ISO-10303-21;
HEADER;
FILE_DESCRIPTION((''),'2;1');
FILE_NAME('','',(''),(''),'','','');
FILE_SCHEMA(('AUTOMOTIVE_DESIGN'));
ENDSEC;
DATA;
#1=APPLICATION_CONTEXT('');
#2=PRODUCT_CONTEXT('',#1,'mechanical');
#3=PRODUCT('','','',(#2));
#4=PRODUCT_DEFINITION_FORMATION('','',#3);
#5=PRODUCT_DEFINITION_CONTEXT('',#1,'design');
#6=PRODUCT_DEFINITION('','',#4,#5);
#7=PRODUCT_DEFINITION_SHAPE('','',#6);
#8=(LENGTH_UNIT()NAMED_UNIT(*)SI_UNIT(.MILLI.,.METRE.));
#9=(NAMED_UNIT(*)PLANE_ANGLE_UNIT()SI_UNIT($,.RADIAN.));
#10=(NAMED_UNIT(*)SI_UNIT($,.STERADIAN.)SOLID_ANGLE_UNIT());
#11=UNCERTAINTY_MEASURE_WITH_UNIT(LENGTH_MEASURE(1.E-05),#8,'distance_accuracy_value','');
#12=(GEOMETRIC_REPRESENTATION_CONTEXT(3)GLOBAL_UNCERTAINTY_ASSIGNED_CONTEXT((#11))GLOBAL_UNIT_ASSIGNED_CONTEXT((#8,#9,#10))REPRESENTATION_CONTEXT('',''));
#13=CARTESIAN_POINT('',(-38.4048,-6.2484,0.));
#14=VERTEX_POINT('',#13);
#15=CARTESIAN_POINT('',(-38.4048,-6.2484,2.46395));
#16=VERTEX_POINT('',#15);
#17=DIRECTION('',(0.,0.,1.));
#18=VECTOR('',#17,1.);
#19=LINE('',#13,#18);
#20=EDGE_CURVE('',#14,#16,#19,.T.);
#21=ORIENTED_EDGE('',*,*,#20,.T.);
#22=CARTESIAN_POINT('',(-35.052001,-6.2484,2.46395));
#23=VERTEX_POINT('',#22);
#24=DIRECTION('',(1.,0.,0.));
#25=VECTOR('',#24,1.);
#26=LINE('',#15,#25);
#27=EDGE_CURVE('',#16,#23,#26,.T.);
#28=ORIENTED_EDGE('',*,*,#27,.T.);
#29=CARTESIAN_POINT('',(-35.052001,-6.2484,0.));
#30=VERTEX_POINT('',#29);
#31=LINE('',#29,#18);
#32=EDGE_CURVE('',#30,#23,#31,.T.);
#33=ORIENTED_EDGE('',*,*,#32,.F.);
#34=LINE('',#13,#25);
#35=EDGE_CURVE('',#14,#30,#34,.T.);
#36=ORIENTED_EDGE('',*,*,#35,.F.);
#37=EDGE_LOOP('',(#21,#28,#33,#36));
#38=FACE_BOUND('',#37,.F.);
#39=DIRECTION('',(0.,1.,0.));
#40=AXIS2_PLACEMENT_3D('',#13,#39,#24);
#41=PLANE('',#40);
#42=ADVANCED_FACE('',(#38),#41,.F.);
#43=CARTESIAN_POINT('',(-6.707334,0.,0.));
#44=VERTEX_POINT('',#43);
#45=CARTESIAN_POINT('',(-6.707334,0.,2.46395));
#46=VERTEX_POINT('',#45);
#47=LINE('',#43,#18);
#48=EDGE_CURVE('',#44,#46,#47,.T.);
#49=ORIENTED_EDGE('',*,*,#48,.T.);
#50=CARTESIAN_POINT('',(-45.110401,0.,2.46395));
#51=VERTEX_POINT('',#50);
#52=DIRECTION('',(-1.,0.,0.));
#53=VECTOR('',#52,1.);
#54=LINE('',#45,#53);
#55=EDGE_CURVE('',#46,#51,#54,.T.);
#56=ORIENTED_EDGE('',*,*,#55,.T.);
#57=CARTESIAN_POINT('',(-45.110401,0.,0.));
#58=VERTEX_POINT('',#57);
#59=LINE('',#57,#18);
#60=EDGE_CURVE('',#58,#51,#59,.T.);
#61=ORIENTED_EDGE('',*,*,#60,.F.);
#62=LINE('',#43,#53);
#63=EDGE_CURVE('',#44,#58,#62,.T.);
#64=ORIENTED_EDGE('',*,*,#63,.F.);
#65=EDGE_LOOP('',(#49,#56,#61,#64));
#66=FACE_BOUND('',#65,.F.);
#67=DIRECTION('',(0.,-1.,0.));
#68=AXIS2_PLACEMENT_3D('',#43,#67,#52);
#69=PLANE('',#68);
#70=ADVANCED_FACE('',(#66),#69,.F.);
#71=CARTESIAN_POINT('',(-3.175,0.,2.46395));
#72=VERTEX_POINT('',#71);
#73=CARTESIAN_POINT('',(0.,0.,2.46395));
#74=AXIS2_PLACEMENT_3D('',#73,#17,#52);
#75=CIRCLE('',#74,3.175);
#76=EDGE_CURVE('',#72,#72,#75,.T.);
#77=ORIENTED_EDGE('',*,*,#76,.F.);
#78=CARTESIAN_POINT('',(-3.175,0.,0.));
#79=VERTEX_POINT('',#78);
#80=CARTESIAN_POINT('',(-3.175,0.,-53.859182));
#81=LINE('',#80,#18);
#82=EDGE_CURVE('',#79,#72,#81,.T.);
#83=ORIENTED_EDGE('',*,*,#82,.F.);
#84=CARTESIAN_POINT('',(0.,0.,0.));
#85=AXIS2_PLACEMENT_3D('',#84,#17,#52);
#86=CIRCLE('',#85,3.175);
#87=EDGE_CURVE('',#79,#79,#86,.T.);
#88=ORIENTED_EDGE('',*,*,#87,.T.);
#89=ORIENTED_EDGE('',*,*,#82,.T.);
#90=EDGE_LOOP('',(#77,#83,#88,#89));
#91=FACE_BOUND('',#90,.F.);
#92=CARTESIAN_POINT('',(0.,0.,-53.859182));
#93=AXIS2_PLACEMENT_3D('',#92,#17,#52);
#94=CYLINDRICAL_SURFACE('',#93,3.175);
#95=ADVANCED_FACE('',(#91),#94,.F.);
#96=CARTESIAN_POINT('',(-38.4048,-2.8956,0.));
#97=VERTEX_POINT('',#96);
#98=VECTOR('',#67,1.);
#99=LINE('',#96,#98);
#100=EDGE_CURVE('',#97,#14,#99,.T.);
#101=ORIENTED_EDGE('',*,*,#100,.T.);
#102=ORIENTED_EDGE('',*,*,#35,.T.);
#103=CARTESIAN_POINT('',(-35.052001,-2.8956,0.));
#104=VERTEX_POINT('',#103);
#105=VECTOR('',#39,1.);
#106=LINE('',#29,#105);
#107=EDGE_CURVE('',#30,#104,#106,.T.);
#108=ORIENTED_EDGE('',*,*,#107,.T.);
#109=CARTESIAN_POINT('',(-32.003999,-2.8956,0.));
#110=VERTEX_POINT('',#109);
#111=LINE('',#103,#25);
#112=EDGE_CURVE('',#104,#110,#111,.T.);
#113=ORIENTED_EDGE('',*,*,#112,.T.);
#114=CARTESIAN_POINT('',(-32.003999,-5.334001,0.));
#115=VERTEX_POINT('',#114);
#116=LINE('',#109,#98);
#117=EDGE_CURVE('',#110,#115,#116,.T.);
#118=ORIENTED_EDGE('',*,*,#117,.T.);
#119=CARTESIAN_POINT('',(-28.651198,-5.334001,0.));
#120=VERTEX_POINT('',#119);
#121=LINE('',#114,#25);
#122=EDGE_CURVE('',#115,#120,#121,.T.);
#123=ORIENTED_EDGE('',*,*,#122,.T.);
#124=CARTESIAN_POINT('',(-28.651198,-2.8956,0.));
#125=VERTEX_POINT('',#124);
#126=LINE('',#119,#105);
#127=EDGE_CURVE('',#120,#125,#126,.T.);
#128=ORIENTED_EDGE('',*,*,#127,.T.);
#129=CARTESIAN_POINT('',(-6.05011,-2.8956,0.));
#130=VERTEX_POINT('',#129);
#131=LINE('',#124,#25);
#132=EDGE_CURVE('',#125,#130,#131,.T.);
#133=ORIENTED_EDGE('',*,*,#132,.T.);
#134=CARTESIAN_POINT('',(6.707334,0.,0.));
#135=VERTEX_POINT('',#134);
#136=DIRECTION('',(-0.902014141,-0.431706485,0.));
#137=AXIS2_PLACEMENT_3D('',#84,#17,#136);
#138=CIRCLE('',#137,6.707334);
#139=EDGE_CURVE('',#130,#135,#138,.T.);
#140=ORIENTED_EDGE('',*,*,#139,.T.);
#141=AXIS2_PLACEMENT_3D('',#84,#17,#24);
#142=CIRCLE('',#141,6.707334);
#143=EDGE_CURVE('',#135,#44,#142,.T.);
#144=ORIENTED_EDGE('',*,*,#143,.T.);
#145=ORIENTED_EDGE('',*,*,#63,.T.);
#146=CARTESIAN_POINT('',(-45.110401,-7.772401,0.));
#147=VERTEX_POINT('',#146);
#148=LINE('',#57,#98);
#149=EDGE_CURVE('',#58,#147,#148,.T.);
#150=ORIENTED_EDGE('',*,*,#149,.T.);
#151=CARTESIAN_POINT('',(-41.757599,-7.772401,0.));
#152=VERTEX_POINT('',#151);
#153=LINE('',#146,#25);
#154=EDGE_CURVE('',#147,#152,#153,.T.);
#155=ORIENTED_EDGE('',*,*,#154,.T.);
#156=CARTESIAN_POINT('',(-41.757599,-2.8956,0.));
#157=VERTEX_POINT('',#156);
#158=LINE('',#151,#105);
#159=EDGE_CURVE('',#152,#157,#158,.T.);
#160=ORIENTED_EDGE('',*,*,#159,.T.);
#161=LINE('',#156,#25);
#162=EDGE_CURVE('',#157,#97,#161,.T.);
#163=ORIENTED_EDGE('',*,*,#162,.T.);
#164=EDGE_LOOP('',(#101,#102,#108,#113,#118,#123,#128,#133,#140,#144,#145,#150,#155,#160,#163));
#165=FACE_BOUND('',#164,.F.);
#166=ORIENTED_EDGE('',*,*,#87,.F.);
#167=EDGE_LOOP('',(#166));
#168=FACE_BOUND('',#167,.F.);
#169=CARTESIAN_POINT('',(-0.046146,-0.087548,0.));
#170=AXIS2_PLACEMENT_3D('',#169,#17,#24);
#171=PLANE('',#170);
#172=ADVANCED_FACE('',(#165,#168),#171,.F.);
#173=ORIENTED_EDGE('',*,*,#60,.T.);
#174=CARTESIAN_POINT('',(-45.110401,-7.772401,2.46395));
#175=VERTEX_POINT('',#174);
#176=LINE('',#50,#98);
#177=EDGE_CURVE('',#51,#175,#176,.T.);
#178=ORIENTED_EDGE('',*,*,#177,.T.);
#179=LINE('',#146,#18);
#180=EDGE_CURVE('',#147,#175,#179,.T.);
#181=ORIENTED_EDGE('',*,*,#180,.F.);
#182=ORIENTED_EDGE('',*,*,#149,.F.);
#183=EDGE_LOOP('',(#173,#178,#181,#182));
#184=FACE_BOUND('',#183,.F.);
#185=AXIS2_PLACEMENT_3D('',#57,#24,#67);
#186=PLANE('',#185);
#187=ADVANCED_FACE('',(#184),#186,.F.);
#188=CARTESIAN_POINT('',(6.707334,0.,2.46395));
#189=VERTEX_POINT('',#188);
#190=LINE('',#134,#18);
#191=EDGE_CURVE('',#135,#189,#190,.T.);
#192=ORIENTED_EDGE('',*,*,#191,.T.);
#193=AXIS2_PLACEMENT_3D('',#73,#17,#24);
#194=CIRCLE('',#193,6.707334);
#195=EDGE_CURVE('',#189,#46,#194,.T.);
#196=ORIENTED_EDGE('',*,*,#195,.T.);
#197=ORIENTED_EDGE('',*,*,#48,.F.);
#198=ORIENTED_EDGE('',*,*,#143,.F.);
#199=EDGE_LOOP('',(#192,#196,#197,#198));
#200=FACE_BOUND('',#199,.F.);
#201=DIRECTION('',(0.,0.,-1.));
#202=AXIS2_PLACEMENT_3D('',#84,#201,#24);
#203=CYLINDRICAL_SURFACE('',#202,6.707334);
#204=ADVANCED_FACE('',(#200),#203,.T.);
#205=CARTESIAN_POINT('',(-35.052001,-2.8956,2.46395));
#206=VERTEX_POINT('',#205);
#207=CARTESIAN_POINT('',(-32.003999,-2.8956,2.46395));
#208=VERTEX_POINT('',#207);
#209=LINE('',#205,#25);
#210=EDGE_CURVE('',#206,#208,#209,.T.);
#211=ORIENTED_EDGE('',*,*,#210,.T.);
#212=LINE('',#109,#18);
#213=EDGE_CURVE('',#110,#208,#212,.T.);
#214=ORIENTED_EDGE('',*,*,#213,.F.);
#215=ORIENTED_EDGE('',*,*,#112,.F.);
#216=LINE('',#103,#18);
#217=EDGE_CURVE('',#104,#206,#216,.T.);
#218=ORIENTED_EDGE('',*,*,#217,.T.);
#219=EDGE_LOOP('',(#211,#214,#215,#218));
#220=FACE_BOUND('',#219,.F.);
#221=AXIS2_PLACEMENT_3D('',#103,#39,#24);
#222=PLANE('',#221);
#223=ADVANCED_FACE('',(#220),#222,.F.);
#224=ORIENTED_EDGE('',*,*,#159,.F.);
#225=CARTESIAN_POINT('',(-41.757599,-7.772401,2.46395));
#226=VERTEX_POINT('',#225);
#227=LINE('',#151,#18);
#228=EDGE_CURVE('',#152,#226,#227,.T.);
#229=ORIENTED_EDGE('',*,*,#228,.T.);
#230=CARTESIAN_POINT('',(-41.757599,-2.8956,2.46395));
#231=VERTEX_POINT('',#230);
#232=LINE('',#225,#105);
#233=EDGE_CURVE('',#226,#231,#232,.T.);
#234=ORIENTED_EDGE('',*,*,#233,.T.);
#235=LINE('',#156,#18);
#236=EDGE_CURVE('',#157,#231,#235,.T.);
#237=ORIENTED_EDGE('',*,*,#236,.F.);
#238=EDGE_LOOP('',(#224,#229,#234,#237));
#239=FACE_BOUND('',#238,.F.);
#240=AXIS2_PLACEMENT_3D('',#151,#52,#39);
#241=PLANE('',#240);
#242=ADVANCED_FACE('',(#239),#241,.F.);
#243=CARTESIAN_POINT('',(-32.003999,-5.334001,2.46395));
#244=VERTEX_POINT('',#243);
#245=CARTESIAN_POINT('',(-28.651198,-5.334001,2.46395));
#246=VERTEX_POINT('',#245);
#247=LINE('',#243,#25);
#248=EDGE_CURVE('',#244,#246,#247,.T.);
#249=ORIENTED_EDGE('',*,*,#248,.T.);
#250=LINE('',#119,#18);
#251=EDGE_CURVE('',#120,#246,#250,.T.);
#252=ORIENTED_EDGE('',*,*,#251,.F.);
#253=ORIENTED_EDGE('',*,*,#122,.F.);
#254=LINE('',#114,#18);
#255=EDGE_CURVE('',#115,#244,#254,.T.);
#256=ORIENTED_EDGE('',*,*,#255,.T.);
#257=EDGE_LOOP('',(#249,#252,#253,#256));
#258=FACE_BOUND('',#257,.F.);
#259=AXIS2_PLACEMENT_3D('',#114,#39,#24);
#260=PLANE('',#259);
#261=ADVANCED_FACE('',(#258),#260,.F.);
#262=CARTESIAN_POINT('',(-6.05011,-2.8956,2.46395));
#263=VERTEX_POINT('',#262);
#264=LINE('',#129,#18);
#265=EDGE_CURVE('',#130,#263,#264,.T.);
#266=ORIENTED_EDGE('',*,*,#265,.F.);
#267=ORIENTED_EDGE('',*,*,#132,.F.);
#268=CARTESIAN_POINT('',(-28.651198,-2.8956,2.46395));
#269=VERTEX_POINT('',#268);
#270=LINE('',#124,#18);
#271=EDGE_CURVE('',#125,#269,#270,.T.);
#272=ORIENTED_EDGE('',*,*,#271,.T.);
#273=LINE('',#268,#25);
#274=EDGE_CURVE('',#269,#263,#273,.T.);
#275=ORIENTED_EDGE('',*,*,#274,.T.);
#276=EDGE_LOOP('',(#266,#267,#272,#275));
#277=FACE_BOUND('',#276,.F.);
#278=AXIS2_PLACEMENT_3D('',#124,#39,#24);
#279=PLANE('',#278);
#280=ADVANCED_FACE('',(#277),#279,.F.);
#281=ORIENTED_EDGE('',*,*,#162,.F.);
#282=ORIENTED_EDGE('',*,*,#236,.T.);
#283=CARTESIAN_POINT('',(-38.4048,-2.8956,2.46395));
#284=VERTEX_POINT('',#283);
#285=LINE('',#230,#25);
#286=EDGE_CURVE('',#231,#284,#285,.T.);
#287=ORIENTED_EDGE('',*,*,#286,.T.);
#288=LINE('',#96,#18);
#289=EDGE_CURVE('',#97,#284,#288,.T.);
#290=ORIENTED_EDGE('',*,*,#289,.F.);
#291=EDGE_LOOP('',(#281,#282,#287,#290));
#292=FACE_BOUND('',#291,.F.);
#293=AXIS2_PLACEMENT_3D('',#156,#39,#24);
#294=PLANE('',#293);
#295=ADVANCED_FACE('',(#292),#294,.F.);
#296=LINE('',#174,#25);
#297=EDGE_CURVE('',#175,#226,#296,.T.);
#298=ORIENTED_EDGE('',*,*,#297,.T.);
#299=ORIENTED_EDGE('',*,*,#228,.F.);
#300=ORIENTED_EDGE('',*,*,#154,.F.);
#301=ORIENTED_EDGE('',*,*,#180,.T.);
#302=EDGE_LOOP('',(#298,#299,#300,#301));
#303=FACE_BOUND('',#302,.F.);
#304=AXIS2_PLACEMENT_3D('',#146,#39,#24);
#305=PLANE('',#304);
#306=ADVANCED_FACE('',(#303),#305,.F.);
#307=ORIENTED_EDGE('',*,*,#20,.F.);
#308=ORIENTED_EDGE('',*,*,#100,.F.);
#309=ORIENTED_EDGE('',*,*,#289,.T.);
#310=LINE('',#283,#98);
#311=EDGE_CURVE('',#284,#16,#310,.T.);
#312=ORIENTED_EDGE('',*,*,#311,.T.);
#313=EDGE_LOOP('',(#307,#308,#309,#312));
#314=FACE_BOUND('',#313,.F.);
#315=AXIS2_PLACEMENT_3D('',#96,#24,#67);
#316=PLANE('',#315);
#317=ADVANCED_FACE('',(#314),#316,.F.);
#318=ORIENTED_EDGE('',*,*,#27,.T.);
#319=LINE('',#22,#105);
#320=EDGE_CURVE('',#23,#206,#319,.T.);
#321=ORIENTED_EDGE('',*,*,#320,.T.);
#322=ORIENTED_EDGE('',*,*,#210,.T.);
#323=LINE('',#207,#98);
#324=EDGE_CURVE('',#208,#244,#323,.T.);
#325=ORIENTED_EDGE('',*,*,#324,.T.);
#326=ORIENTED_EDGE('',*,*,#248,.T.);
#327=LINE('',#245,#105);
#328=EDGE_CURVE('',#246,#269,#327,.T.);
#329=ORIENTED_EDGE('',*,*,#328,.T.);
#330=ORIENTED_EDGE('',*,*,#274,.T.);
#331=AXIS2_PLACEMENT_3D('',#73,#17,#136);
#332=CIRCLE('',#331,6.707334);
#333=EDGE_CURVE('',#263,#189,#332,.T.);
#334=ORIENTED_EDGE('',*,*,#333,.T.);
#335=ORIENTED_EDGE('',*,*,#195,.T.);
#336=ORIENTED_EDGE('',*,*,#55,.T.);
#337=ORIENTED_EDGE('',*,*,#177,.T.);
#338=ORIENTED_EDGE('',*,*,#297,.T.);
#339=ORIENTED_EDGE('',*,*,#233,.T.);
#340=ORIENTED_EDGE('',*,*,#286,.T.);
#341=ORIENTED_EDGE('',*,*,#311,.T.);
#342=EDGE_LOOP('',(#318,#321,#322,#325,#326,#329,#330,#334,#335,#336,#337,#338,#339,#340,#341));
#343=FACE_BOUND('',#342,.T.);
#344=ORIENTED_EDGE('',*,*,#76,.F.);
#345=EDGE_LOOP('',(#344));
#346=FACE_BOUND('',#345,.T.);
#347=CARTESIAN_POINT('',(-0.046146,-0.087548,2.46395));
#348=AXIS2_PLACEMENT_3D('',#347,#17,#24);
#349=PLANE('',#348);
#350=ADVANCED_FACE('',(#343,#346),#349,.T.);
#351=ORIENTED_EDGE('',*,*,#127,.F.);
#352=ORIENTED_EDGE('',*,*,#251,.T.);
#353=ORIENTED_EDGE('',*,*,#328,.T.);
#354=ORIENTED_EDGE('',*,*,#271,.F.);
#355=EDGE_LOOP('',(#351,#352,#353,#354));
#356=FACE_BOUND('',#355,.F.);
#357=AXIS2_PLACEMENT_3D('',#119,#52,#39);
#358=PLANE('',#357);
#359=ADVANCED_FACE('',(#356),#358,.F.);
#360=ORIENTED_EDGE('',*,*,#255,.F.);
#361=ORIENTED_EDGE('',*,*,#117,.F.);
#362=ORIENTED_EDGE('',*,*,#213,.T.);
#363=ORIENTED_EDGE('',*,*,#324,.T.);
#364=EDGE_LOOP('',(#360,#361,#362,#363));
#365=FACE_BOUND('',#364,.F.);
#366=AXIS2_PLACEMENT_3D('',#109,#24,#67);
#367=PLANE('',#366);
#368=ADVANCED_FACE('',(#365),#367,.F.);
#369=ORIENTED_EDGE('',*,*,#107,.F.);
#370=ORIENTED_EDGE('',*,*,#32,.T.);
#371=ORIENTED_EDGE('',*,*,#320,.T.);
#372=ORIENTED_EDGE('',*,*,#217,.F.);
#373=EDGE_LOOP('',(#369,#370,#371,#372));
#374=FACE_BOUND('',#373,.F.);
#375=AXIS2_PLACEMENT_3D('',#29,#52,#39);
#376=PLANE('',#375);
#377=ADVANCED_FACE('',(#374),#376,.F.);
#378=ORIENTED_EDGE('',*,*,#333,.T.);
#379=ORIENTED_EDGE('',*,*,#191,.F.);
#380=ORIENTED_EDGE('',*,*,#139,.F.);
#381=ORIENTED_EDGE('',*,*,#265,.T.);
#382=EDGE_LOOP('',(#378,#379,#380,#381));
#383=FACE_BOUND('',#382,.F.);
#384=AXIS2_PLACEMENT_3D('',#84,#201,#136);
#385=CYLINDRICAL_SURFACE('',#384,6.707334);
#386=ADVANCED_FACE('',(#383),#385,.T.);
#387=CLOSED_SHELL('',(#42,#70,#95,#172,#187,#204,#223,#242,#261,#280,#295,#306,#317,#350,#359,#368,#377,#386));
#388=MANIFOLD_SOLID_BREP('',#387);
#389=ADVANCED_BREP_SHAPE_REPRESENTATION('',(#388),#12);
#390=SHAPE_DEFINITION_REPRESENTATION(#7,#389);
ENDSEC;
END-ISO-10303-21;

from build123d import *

# Parameters (mm, degrees)
F1_DEPTH = 2.46395
F2_D     = 6.35


with BuildPart() as f1:
    # F0 (on Top) → F1 (new body)
    with BuildSketch(Plane.XY):
        with BuildLine():
            ThreePointArc((-6.05011, -2.8956), (1.484625, -6.540965), (6.707334, 0))
            ThreePointArc((6.707334, 0), (0, 6.707334), (-6.707334, 0))
            ThreePointArc((-6.707334, 0), (-6.540965, -1.484625), (-6.05011, -2.8956))
        make_face()
        with BuildLine():
            ThreePointArc((-6.05011, -2.8956), (-6.540965, -1.484625), (-6.707334, 0))
            Line((-6.707334, 0), (-45.110401, 0))
            Line((-45.110401, 0), (-45.110401, -7.772401))
            Line((-45.110401, -7.772401), (-41.757599, -7.772401))
            Line((-41.757599, -7.772401), (-41.757599, -2.8956))
            Line((-41.757599, -2.8956), (-38.4048, -2.8956))
            Line((-38.4048, -2.8956), (-38.4048, -6.2484))
            Line((-38.4048, -6.2484), (-35.052001, -6.2484))
            Line((-35.052001, -6.2484), (-35.052001, -2.8956))
            Line((-35.052001, -2.8956), (-32.003999, -2.8956))
            Line((-32.003999, -2.8956), (-32.003999, -5.334001))
            Line((-32.003999, -5.334001), (-28.651198, -5.334001))
            Line((-28.651198, -5.334001), (-28.651198, -2.8956))
            Line((-28.651198, -2.8956), (-6.05011, -2.8956))
        make_face()
    extrude(amount=F1_DEPTH)

    # F2 (through all)
    with Locations(Plane(origin=(0, 0, 0), x_dir=(1, 0, 0), z_dir=(0, 0, -1))):
        with Locations((0, 0)):
            Hole(F2_D / 2)


solid = f1.part
